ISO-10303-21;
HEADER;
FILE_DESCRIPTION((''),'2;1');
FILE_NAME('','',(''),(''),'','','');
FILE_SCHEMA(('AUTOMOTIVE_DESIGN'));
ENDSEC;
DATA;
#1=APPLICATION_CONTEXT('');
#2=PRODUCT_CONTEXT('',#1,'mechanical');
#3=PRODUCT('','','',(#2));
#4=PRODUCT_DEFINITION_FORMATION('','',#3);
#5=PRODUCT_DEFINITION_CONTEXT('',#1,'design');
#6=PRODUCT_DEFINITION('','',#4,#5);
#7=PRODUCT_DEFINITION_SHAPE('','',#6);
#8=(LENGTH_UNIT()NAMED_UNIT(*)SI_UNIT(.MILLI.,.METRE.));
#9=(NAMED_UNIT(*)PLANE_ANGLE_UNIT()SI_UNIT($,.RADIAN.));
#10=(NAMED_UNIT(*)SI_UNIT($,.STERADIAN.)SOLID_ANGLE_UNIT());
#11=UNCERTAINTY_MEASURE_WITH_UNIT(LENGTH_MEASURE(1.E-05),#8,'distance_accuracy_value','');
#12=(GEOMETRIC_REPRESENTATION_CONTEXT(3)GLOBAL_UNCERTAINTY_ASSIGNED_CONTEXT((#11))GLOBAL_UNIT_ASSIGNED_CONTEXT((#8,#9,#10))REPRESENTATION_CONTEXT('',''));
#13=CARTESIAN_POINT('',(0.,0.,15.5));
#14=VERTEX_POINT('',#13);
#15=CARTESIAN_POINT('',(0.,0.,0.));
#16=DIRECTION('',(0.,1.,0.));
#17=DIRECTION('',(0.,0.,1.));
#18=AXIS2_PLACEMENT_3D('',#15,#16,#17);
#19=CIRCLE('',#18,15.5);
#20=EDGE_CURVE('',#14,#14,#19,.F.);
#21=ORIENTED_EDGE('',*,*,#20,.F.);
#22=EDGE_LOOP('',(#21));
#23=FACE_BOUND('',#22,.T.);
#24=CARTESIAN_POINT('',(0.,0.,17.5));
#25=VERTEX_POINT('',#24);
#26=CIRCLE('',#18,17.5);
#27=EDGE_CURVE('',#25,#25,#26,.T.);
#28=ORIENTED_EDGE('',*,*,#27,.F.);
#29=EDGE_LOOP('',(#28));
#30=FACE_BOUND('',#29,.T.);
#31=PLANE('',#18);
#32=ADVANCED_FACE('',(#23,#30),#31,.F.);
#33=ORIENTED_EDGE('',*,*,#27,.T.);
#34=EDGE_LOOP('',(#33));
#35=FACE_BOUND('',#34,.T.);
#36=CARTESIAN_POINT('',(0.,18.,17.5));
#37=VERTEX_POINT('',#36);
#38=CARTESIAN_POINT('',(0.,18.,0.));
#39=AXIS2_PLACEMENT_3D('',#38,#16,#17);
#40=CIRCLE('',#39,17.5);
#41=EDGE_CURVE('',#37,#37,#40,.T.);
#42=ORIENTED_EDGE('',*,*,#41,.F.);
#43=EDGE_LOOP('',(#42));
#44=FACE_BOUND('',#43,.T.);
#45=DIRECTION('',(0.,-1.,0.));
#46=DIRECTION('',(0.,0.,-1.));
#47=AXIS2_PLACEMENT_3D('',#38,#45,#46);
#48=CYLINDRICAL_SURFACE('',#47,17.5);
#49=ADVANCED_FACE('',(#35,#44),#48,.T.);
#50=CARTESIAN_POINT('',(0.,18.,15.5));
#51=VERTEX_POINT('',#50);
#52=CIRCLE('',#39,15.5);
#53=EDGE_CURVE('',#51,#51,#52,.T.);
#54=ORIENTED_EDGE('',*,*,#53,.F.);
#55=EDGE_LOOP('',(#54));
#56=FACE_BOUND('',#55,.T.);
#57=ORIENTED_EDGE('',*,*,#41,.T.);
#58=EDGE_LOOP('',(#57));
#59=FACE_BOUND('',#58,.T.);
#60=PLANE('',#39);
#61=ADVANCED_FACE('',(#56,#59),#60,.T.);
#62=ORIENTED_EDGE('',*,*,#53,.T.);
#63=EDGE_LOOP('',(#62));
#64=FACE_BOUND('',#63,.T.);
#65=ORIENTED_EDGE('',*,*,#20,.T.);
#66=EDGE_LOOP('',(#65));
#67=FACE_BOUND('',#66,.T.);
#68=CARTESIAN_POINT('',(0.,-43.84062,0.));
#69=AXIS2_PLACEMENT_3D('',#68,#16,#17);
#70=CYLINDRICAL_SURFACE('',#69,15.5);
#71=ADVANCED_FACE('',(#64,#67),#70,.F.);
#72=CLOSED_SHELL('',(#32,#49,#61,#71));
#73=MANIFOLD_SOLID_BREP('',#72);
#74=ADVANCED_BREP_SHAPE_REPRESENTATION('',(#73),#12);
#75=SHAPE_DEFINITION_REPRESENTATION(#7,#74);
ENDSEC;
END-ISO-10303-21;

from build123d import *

# Parameters (mm, degrees)
SKETCH1_R           = 17.5
BOSS_EXTRUDE1_DEPTH = 18
SKETCH2_R           = 15.5
CUT_EXTRUDE1_DEPTH  = 18


with BuildPart() as part:
    # Sketch1 → Boss-Extrude1 (new body)
    with BuildSketch(Plane(origin=(0, 0, 0), x_dir=(1, 0, 0), z_dir=(0, 1, 0))):
        Circle(SKETCH1_R)
    extrude(amount=BOSS_EXTRUDE1_DEPTH)

    # Sketch2 → Cut-Extrude1 (cut)
    with BuildSketch(Plane(origin=(0, 18, 0), x_dir=(1, 0, 0), z_dir=(0, 1, 0))):
        Circle(SKETCH2_R)
    extrude(amount=-CUT_EXTRUDE1_DEPTH, mode=Mode.SUBTRACT)


solid = part.part
